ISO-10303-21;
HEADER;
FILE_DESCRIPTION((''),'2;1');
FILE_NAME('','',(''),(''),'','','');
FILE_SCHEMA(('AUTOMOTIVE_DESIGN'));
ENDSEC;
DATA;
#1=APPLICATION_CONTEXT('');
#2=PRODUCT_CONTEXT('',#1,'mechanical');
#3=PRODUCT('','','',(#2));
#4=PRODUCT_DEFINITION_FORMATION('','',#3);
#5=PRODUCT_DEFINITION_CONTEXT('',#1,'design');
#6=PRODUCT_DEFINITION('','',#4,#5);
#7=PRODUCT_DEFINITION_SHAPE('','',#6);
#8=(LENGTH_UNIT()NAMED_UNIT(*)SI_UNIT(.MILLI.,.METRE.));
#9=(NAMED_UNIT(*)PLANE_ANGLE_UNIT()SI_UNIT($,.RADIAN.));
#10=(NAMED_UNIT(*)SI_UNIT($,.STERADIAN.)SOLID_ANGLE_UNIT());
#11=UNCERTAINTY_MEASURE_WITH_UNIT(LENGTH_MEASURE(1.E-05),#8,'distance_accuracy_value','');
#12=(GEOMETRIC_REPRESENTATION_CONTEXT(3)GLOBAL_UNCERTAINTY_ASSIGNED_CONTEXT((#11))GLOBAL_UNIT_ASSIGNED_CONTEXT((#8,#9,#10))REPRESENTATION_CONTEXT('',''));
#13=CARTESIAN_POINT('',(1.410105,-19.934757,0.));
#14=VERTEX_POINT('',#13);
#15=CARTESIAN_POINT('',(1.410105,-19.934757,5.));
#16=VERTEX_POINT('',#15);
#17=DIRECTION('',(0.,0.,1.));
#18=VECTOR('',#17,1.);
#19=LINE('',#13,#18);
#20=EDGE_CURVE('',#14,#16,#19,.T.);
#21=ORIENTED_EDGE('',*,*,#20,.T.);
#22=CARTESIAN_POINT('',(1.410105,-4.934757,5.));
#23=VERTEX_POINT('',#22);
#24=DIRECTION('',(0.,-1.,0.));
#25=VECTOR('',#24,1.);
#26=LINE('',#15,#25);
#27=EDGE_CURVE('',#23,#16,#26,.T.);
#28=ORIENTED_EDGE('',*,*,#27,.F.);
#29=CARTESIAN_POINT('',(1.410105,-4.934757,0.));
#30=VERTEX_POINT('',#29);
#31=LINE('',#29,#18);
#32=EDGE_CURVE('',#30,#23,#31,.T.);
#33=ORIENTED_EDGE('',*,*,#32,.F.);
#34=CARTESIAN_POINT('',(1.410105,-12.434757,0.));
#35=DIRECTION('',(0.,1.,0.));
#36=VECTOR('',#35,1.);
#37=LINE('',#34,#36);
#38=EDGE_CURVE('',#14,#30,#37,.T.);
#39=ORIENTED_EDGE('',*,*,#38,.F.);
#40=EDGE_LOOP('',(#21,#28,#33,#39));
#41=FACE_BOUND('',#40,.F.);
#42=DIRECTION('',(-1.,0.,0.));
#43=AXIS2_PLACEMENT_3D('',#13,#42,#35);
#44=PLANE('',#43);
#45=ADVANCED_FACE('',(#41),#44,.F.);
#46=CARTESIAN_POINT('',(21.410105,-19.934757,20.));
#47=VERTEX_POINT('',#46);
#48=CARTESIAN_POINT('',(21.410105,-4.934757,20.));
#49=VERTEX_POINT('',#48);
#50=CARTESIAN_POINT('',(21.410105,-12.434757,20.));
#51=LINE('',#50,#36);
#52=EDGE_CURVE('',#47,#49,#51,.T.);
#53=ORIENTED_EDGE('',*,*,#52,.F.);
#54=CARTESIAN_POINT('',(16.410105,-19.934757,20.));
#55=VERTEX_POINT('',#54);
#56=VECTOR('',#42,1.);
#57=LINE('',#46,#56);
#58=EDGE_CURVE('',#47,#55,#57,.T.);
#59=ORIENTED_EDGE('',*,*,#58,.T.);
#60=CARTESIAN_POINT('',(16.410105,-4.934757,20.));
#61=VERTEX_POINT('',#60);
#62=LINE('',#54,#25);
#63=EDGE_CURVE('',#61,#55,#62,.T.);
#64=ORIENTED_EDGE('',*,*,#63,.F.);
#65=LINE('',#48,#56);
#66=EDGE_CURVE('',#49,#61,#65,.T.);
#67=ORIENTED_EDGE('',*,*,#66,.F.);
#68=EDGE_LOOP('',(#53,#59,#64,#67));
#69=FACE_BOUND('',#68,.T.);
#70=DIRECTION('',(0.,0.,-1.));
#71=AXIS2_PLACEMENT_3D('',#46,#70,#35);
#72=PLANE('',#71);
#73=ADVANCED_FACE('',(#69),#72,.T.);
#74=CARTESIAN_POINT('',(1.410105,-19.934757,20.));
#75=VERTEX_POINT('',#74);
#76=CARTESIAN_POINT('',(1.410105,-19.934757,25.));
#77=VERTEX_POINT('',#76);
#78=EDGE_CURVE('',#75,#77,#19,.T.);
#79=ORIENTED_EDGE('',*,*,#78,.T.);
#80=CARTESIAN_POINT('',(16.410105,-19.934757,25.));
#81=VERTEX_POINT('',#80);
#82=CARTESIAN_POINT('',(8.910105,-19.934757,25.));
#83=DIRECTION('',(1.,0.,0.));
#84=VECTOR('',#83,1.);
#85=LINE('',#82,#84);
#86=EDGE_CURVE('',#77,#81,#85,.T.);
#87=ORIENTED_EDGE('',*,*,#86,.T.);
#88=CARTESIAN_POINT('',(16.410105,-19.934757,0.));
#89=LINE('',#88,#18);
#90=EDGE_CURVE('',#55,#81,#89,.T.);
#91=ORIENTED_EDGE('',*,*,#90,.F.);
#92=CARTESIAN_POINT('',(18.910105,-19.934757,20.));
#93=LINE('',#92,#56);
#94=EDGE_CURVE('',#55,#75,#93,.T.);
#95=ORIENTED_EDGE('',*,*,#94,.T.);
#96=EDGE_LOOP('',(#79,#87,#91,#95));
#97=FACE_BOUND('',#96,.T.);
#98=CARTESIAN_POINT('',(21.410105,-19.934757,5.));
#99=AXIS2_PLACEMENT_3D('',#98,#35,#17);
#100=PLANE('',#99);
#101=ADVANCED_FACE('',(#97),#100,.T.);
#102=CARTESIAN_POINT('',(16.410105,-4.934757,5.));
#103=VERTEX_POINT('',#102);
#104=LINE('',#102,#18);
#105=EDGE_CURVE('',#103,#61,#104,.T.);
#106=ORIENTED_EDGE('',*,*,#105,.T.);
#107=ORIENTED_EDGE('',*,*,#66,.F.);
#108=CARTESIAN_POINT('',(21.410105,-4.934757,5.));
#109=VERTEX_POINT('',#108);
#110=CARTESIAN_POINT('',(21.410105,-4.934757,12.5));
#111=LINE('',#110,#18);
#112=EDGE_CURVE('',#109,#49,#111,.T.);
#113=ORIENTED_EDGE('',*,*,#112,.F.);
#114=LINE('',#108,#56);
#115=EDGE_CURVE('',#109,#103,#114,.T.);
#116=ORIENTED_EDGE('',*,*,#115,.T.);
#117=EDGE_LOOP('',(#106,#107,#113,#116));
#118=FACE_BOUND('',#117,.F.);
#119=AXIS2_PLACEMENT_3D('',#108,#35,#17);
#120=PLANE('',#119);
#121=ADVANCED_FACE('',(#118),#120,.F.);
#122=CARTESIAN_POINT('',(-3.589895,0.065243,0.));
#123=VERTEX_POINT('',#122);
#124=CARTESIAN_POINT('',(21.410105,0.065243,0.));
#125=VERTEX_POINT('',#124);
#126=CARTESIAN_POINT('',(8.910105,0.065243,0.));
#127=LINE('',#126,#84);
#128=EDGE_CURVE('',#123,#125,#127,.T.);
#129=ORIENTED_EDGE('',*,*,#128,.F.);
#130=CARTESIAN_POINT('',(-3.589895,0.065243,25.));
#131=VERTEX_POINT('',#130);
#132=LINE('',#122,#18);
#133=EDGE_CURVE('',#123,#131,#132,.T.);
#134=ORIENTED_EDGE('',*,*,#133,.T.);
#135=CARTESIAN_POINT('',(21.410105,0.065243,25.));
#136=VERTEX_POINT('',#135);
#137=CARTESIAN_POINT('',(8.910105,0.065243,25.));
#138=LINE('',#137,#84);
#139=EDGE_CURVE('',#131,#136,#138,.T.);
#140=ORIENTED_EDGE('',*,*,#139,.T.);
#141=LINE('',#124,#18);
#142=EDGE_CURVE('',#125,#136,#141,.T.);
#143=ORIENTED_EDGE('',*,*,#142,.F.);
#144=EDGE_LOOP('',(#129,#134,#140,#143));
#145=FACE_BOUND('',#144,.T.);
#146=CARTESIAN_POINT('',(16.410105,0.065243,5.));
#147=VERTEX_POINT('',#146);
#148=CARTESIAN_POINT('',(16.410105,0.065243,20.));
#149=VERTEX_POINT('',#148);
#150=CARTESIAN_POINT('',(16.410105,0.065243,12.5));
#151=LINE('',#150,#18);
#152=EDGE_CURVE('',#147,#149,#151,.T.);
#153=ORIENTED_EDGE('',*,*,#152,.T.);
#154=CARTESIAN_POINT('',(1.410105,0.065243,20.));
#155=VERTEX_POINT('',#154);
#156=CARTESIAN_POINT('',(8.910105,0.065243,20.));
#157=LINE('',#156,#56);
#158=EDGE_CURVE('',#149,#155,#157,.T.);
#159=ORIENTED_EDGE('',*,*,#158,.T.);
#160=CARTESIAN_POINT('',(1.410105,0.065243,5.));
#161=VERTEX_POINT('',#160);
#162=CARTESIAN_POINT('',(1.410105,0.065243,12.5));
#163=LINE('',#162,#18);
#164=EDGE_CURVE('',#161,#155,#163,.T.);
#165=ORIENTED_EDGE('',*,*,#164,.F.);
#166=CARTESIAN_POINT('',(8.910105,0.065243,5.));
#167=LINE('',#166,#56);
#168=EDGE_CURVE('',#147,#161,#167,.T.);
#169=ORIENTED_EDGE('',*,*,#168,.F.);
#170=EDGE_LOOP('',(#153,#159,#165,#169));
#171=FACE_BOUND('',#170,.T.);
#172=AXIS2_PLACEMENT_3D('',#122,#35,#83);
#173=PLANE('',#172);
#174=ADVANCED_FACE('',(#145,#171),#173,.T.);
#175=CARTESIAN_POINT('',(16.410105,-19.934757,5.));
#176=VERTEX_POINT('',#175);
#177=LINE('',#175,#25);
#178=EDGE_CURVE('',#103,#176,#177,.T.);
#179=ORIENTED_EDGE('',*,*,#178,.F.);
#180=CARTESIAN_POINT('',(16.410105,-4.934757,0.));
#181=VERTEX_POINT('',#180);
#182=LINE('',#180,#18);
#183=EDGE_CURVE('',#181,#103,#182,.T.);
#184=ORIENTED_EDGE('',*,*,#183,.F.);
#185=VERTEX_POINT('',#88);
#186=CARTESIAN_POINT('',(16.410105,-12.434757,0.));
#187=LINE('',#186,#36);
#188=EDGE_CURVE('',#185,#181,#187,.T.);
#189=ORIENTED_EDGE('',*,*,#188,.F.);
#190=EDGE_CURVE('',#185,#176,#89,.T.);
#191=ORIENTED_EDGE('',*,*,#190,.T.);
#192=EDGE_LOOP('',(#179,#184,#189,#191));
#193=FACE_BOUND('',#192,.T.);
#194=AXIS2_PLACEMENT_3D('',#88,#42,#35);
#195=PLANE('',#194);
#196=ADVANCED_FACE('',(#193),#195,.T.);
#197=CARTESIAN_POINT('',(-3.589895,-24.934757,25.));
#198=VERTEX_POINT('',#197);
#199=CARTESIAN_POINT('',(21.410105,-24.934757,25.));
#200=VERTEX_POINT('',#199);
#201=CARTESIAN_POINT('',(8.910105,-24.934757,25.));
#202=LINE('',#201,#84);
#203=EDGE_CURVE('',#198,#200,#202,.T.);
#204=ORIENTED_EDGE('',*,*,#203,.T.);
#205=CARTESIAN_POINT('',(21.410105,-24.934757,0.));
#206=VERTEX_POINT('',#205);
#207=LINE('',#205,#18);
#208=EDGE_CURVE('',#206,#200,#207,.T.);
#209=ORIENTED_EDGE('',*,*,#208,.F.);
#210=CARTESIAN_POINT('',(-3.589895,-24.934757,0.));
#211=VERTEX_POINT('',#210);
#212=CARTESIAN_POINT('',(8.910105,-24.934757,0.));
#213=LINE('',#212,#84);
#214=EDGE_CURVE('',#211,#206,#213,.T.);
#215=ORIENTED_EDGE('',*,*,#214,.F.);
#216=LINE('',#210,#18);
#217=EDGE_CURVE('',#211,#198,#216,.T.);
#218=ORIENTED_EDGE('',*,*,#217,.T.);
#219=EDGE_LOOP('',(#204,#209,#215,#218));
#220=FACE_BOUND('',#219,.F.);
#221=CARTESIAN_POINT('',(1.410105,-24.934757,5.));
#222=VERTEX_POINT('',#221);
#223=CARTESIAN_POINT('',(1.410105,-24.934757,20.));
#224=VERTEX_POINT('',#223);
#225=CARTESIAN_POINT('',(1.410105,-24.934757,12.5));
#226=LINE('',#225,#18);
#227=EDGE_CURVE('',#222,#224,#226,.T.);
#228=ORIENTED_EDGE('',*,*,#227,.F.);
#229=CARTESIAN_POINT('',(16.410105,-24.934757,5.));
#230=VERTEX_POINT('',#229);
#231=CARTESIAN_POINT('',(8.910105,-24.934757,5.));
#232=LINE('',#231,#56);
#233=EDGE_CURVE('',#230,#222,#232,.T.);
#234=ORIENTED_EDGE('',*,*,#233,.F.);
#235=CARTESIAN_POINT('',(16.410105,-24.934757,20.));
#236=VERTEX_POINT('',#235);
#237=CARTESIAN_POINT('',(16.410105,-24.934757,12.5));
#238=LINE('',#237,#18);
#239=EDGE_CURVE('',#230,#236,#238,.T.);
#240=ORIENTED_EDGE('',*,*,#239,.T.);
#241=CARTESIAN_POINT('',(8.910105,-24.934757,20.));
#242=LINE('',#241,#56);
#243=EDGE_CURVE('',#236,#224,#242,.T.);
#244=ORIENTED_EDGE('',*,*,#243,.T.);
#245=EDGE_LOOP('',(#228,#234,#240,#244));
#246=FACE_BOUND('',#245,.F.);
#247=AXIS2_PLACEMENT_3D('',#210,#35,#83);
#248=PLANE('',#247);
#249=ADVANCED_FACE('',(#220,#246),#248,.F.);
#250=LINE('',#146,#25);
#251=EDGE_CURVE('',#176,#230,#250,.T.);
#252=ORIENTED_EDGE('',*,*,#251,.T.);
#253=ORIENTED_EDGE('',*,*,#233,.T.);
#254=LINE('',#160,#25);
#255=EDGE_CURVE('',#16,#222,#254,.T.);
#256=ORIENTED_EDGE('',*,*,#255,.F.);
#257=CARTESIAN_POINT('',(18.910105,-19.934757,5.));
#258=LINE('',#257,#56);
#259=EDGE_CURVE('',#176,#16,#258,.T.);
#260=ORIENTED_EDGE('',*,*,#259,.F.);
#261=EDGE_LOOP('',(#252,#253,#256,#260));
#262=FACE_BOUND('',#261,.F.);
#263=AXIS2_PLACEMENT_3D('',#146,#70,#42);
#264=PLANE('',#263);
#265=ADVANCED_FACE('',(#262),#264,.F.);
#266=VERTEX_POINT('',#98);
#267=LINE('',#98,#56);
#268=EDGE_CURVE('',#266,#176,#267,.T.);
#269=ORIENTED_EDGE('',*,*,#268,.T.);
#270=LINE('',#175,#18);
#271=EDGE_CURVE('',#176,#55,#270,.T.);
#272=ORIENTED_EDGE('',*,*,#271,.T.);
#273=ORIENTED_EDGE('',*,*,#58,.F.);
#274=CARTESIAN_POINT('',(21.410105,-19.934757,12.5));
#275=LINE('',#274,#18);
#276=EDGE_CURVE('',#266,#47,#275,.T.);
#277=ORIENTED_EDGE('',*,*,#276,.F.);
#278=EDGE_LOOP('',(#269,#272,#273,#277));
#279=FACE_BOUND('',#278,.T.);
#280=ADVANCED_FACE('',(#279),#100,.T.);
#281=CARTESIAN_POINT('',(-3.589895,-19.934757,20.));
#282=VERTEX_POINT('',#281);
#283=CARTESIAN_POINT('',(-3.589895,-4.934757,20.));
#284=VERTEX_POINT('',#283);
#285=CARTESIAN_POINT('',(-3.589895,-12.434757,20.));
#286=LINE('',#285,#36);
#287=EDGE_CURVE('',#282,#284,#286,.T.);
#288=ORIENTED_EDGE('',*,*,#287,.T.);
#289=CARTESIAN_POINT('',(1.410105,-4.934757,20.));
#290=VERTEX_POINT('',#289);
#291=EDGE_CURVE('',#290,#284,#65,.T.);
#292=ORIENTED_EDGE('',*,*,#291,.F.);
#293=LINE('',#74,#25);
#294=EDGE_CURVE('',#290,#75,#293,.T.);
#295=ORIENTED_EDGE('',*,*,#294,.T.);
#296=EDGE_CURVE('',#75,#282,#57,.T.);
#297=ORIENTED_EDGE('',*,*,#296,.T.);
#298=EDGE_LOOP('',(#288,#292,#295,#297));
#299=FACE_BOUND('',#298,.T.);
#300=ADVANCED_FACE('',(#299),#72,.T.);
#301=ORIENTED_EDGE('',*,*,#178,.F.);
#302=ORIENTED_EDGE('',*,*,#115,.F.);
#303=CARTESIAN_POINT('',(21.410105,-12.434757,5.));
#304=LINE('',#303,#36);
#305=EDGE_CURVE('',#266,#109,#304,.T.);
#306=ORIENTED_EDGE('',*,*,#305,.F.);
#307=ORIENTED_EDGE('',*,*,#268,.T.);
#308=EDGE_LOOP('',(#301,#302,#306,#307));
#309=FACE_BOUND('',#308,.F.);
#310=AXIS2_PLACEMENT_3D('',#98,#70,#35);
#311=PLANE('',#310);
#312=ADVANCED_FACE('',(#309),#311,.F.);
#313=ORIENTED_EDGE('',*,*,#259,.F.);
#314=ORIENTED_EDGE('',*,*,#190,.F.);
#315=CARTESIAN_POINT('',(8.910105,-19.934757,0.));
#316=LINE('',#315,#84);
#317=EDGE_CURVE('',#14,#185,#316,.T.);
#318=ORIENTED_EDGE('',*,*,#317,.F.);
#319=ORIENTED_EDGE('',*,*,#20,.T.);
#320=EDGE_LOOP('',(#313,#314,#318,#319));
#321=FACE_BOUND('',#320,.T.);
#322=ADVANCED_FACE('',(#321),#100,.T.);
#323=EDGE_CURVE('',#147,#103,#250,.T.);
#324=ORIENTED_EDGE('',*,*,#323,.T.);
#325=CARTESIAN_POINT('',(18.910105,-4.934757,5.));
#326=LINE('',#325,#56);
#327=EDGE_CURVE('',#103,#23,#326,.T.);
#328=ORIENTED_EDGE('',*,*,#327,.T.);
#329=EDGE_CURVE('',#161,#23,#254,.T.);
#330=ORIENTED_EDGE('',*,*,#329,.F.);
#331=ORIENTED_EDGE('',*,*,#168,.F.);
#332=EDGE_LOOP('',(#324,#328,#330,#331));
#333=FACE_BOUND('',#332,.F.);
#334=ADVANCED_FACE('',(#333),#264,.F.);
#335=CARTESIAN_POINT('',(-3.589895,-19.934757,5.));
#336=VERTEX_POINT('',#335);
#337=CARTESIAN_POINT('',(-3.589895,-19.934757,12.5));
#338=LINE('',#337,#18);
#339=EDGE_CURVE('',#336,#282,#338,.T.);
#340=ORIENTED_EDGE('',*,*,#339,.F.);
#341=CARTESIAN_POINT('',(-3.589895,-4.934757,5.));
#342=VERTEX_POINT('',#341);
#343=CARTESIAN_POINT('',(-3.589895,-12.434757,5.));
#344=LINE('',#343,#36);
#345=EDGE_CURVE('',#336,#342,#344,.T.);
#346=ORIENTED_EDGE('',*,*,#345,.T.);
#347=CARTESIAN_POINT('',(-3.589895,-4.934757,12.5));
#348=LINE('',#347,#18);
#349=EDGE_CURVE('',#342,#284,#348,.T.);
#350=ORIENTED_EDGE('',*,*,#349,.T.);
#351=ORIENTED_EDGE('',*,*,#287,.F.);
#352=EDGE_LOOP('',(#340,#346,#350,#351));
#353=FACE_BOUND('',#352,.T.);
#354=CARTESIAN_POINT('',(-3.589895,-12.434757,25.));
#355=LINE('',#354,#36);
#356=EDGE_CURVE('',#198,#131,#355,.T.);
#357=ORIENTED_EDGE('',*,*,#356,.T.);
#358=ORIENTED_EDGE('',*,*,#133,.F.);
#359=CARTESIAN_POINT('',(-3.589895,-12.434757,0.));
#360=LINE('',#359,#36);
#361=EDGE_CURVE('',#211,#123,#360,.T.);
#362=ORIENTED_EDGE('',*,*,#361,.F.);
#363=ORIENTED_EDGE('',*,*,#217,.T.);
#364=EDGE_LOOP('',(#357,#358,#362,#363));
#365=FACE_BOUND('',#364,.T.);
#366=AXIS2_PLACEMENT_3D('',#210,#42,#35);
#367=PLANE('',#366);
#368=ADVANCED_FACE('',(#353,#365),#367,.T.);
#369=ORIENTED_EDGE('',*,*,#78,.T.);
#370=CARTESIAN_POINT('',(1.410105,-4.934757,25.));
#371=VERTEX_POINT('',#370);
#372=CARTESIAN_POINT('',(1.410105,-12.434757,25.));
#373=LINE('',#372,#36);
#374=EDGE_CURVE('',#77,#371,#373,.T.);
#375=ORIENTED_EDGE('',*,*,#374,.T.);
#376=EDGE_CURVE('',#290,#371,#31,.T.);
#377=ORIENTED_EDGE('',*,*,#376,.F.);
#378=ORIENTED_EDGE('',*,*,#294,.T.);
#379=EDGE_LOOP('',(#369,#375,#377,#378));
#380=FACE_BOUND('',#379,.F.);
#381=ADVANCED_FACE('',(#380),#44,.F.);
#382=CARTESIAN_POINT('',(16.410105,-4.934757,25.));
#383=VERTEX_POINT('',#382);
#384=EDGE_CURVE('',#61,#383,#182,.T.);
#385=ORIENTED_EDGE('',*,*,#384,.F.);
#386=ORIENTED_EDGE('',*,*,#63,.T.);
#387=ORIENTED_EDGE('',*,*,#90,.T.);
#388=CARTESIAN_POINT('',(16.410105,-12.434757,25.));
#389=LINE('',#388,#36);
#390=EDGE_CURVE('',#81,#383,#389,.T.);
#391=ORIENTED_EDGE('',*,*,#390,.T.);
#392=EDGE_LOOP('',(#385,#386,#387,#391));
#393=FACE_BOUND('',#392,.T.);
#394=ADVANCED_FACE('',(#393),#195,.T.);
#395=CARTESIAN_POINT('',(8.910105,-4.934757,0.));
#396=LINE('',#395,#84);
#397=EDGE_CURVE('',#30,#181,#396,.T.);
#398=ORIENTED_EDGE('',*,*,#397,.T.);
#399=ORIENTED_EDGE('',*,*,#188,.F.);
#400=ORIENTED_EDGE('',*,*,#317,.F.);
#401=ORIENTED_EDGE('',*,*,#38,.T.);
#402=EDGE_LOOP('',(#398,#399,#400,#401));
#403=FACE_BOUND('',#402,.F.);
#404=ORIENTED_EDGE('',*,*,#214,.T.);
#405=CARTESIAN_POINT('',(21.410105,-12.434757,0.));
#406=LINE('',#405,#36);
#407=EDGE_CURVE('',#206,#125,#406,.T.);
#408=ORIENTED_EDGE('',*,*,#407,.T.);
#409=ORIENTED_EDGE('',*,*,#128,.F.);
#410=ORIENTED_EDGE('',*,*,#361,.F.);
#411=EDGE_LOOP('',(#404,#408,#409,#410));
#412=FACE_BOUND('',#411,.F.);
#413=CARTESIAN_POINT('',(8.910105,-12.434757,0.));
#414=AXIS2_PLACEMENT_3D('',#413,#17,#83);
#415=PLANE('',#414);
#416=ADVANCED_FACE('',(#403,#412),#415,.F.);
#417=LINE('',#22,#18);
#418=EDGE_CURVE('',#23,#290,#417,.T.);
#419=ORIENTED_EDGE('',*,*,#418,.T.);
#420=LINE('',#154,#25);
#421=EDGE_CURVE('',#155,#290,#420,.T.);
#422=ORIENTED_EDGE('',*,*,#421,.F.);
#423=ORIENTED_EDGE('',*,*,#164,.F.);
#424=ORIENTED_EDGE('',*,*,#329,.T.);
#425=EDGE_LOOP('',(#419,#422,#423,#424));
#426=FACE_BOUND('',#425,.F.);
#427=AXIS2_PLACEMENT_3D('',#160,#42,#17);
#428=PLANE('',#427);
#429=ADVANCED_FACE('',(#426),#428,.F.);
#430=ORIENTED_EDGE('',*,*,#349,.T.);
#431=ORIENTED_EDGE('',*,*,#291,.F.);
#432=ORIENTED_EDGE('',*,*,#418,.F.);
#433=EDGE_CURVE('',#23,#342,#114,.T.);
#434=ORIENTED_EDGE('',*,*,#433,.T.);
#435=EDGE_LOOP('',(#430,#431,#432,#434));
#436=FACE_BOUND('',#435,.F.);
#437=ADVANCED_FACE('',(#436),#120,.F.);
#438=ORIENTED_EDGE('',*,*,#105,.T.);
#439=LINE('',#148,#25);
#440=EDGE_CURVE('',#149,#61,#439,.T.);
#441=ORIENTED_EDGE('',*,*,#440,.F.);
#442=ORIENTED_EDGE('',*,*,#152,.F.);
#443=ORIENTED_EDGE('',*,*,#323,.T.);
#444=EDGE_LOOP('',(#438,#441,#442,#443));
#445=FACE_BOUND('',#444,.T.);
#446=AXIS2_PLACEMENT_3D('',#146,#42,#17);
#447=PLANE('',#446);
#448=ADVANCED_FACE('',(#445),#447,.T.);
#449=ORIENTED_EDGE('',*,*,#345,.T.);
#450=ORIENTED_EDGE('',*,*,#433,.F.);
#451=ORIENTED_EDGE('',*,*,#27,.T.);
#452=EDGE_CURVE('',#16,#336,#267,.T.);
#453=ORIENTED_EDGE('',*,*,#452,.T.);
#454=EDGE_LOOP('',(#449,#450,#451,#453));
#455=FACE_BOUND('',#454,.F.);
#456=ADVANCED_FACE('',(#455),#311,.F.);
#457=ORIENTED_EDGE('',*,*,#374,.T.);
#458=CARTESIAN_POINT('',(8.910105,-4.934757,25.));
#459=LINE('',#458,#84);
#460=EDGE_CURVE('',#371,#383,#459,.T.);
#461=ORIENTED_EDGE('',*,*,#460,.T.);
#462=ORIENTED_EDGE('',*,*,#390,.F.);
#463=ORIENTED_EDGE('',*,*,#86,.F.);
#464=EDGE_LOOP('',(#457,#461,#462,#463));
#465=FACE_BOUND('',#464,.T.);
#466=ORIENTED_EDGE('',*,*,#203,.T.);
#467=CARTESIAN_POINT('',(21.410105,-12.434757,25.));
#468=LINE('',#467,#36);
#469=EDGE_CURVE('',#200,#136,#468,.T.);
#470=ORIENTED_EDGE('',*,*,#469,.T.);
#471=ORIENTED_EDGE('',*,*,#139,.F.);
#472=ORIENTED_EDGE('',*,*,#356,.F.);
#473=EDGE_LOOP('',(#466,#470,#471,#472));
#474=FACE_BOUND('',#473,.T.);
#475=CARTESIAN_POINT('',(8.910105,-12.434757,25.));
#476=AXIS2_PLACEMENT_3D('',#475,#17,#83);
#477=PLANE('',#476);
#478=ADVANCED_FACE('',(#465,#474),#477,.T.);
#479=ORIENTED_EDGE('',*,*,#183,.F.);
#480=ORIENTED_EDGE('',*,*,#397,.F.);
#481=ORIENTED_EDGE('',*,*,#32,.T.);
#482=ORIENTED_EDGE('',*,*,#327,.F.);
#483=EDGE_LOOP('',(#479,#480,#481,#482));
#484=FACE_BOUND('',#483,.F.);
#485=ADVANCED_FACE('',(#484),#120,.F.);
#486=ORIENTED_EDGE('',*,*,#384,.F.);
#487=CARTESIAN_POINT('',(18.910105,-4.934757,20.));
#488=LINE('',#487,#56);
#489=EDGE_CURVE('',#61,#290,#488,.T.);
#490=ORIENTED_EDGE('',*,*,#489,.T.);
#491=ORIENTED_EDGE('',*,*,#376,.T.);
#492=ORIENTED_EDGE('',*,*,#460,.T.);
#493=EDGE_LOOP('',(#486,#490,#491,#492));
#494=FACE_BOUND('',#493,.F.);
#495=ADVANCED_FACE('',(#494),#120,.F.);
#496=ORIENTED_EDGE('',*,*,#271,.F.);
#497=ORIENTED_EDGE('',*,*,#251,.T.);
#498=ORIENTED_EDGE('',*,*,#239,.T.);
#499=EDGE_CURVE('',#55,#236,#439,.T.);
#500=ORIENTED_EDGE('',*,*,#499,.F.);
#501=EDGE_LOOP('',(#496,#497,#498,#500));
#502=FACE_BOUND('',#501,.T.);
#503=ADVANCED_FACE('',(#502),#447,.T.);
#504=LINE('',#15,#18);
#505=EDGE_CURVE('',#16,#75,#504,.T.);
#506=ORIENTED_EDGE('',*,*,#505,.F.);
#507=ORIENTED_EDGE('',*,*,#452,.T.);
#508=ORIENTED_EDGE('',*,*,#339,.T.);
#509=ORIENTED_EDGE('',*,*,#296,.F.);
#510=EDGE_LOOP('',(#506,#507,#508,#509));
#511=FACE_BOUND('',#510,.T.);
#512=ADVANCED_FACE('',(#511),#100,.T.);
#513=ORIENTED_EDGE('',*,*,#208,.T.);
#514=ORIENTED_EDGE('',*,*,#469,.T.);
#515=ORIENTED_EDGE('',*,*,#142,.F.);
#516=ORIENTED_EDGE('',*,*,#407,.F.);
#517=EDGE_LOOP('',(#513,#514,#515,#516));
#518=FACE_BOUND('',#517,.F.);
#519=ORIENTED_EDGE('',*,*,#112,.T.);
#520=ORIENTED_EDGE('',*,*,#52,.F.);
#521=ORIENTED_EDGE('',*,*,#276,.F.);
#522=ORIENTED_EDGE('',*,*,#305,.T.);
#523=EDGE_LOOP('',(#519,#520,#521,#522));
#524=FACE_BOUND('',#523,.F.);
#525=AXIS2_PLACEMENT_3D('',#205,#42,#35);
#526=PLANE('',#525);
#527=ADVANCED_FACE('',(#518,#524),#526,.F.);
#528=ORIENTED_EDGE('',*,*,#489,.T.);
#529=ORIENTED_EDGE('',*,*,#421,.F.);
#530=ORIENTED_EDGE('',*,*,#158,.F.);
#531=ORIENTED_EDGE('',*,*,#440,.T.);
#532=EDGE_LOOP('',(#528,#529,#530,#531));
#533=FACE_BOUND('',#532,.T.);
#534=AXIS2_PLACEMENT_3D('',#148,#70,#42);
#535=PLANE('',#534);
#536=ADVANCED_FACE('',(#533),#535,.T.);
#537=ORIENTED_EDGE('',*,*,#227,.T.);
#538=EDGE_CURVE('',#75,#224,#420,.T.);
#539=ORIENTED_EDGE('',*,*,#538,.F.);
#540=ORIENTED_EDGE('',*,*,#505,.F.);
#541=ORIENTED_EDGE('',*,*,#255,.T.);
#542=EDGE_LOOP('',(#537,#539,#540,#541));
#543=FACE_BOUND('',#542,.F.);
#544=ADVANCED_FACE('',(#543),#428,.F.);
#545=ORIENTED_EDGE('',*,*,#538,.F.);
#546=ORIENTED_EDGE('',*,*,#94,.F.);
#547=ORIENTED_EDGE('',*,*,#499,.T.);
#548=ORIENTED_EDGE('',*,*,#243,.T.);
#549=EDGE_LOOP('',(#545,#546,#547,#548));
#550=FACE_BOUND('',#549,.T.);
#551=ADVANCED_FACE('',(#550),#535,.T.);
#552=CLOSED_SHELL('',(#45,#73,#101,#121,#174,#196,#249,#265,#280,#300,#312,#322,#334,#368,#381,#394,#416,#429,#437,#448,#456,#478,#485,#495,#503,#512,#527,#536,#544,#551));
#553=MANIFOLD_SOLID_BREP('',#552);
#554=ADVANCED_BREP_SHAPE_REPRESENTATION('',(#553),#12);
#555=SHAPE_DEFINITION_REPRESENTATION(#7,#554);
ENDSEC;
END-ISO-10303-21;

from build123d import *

# Parameters (mm, degrees)
F0_W     = 25
F0_H     = 25
F0_W_2   = 15
F0_H_2   = 15
F1_DEPTH = 25
F2_W     = 15
F2_H     = 15
F3_DEPTH = 25
F4_W     = 15
F4_H     = 15
F5_DEPTH = 25


with BuildPart() as f1:
    # F0 (on Top) → F1 (new body)
    with BuildSketch(Plane.XY):
        with Locations((8.910105, -12.434757)):
            Rectangle(F0_W, F0_H)
        with Locations((8.910105, -12.434757)):
            Rectangle(F0_W_2, F0_H_2, mode=Mode.SUBTRACT)
    extrude(amount=F1_DEPTH)

    # F2 (on face) → F3 (cut)
    with BuildSketch(Plane.YZ.offset(21.410105)):
        with Locations((-12.434757, 12.5)):
            Rectangle(F2_W, F2_H)
    extrude(amount=-F3_DEPTH, mode=Mode.SUBTRACT)

    # F4 (on face) → F5 (cut)
    with BuildSketch(Plane(origin=(0, 0.065243, 0), x_dir=(-1, 0, 0), z_dir=(0, 1, 0))):
        with Locations((-8.910105, 12.5)):
            Rectangle(F4_W, F4_H)
    extrude(amount=-F5_DEPTH, mode=Mode.SUBTRACT)


solid = f1.part
